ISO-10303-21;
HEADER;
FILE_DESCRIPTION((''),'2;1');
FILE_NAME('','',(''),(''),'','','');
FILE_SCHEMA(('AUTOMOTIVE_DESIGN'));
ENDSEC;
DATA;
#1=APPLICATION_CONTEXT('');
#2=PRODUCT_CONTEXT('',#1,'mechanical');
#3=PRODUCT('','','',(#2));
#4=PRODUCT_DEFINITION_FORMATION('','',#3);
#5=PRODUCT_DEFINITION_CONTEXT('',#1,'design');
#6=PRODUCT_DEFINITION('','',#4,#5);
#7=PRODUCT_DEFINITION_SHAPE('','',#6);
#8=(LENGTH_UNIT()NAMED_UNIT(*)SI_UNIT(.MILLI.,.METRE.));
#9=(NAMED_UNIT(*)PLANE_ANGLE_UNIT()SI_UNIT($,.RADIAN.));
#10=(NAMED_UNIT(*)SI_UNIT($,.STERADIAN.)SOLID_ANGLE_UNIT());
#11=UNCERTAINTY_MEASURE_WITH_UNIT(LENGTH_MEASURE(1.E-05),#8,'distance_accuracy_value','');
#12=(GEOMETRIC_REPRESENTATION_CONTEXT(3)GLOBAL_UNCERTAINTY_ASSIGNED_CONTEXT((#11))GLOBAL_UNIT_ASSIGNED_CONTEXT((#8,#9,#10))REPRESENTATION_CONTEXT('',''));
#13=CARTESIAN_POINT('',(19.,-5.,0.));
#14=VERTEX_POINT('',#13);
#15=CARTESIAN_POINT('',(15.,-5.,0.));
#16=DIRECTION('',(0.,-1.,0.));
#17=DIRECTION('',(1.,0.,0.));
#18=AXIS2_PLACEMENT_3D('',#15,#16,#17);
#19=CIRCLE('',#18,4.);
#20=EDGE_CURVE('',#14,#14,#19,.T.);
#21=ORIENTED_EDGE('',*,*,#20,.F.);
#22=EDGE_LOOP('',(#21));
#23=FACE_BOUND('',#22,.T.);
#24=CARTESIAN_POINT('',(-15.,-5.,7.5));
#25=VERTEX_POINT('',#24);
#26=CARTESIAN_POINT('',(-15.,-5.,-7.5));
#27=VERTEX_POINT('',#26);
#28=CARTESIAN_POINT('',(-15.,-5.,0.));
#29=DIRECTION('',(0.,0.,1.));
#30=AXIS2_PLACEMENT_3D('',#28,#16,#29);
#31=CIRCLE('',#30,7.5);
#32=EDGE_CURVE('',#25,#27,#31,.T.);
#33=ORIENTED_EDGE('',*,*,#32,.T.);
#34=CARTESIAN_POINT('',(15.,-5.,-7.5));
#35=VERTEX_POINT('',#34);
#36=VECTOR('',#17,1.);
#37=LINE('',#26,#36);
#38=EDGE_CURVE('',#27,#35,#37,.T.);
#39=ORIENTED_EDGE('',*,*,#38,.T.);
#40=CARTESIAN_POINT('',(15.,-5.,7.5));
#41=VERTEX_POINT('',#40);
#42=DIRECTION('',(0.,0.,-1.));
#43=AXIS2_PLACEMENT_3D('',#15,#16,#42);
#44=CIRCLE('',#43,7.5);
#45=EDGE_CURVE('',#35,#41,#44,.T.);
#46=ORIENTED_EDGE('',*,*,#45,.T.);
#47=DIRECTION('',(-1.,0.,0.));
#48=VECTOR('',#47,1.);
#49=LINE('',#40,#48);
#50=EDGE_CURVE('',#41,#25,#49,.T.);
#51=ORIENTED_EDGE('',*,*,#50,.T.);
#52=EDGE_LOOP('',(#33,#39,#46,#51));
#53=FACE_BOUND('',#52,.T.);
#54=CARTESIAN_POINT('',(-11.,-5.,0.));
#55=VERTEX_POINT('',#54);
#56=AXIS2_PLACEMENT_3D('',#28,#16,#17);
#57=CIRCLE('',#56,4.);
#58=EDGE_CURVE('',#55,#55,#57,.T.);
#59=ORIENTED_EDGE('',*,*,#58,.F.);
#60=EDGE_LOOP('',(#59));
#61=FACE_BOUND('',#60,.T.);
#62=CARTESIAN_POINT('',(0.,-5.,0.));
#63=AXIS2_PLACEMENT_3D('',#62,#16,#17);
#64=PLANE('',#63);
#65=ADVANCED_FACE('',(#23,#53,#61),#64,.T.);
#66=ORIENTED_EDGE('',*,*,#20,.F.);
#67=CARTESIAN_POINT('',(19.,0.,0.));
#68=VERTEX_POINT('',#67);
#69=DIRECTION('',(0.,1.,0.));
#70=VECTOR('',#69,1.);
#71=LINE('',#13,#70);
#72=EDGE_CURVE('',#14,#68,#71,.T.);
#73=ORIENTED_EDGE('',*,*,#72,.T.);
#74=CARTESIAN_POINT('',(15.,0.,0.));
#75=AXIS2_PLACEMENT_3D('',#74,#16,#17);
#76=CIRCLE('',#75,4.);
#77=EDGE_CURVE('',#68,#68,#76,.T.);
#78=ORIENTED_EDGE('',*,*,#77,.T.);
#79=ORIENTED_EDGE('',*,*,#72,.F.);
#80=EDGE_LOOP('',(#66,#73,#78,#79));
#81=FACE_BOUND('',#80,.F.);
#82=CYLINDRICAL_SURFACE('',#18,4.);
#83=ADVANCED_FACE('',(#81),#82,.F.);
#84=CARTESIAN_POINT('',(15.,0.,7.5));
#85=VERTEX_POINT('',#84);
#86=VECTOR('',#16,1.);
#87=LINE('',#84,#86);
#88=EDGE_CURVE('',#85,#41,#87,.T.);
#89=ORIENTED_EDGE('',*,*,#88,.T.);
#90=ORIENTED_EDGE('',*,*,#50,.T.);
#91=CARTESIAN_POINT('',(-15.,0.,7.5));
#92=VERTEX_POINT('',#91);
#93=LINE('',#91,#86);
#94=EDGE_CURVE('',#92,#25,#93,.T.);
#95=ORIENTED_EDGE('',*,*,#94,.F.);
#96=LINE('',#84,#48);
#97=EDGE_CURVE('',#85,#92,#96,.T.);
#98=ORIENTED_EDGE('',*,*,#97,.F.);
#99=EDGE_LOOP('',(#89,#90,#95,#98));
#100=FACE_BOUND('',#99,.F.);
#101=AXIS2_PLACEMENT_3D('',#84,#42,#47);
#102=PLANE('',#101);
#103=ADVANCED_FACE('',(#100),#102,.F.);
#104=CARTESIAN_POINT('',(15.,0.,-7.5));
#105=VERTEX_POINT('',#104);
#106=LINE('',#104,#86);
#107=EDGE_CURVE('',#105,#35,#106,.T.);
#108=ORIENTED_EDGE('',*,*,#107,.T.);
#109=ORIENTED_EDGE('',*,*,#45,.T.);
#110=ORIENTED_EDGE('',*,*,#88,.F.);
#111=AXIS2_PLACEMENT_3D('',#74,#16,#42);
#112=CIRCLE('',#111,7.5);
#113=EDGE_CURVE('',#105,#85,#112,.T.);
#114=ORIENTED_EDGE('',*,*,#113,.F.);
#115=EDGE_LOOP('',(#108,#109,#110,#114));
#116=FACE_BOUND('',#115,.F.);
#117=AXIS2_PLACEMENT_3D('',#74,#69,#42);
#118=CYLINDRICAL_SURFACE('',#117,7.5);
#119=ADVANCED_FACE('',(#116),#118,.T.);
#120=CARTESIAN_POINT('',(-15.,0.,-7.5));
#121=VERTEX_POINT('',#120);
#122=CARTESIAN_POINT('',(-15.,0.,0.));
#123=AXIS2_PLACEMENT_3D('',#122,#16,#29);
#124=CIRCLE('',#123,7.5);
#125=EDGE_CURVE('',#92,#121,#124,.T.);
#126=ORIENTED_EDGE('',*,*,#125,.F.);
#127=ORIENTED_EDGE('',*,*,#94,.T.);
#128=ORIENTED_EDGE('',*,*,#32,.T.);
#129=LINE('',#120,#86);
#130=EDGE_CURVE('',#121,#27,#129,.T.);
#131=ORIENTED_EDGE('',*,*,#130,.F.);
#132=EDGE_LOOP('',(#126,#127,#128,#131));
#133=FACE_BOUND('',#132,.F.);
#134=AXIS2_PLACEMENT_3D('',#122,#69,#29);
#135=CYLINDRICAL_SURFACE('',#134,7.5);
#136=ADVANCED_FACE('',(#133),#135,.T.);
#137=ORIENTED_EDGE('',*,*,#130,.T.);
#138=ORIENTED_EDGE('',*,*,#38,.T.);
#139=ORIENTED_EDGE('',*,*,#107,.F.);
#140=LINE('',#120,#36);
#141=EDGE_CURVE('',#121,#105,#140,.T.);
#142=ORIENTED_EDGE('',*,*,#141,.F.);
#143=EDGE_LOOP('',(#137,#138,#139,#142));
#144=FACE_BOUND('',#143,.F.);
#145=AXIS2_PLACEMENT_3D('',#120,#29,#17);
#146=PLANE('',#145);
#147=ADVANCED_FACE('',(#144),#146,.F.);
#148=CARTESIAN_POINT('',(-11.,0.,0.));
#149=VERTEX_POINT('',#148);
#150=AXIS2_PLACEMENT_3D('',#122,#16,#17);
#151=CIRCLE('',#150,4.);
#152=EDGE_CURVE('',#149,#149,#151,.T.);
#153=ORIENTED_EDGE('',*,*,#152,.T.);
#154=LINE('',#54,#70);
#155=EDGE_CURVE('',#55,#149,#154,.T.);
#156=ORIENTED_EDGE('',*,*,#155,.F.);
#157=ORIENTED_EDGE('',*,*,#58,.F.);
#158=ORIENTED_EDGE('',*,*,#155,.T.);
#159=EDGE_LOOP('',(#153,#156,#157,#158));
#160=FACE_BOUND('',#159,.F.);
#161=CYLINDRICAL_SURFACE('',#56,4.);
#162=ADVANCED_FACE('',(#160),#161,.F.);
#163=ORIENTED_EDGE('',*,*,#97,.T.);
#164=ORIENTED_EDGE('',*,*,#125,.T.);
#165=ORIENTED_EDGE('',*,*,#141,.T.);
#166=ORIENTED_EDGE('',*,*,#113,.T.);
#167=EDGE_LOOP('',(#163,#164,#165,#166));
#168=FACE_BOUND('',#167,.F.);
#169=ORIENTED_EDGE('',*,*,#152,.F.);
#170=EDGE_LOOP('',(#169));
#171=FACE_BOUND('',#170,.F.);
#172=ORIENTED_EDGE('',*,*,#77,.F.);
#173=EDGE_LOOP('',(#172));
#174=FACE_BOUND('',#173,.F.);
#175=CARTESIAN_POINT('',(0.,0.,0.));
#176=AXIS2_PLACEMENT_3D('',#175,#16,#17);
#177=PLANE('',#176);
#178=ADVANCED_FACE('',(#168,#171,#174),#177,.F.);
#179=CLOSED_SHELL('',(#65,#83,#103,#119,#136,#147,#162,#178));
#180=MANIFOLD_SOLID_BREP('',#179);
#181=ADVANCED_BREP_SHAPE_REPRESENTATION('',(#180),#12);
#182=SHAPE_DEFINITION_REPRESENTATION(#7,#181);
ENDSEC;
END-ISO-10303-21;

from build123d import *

# Parameters (mm, degrees)
F1_DEPTH = 5
F2_R     = 4
F3_DEPTH = 5


with BuildPart() as f1:
    # F0 (on Front) → F1 (new body)
    with BuildSketch(Plane.XZ):
        with BuildLine():
            Line((15, 7.5), (-15, 7.5))
            ThreePointArc((-15, 7.5), (-22.5, 0), (-15, -7.5))
            Line((-15, -7.5), (15, -7.5))
            ThreePointArc((15, -7.5), (22.5, 0), (15, 7.5))
        make_face()
    extrude(amount=F1_DEPTH)

    # F2 (on face) → F3 (cut)
    with BuildSketch(Plane.XZ.offset(5)):
        with Locations((-15, 0)):
            Circle(F2_R)
        with Locations((15, 0)):
            Circle(F2_R)
    extrude(amount=-F3_DEPTH, mode=Mode.SUBTRACT)


solid = f1.part
